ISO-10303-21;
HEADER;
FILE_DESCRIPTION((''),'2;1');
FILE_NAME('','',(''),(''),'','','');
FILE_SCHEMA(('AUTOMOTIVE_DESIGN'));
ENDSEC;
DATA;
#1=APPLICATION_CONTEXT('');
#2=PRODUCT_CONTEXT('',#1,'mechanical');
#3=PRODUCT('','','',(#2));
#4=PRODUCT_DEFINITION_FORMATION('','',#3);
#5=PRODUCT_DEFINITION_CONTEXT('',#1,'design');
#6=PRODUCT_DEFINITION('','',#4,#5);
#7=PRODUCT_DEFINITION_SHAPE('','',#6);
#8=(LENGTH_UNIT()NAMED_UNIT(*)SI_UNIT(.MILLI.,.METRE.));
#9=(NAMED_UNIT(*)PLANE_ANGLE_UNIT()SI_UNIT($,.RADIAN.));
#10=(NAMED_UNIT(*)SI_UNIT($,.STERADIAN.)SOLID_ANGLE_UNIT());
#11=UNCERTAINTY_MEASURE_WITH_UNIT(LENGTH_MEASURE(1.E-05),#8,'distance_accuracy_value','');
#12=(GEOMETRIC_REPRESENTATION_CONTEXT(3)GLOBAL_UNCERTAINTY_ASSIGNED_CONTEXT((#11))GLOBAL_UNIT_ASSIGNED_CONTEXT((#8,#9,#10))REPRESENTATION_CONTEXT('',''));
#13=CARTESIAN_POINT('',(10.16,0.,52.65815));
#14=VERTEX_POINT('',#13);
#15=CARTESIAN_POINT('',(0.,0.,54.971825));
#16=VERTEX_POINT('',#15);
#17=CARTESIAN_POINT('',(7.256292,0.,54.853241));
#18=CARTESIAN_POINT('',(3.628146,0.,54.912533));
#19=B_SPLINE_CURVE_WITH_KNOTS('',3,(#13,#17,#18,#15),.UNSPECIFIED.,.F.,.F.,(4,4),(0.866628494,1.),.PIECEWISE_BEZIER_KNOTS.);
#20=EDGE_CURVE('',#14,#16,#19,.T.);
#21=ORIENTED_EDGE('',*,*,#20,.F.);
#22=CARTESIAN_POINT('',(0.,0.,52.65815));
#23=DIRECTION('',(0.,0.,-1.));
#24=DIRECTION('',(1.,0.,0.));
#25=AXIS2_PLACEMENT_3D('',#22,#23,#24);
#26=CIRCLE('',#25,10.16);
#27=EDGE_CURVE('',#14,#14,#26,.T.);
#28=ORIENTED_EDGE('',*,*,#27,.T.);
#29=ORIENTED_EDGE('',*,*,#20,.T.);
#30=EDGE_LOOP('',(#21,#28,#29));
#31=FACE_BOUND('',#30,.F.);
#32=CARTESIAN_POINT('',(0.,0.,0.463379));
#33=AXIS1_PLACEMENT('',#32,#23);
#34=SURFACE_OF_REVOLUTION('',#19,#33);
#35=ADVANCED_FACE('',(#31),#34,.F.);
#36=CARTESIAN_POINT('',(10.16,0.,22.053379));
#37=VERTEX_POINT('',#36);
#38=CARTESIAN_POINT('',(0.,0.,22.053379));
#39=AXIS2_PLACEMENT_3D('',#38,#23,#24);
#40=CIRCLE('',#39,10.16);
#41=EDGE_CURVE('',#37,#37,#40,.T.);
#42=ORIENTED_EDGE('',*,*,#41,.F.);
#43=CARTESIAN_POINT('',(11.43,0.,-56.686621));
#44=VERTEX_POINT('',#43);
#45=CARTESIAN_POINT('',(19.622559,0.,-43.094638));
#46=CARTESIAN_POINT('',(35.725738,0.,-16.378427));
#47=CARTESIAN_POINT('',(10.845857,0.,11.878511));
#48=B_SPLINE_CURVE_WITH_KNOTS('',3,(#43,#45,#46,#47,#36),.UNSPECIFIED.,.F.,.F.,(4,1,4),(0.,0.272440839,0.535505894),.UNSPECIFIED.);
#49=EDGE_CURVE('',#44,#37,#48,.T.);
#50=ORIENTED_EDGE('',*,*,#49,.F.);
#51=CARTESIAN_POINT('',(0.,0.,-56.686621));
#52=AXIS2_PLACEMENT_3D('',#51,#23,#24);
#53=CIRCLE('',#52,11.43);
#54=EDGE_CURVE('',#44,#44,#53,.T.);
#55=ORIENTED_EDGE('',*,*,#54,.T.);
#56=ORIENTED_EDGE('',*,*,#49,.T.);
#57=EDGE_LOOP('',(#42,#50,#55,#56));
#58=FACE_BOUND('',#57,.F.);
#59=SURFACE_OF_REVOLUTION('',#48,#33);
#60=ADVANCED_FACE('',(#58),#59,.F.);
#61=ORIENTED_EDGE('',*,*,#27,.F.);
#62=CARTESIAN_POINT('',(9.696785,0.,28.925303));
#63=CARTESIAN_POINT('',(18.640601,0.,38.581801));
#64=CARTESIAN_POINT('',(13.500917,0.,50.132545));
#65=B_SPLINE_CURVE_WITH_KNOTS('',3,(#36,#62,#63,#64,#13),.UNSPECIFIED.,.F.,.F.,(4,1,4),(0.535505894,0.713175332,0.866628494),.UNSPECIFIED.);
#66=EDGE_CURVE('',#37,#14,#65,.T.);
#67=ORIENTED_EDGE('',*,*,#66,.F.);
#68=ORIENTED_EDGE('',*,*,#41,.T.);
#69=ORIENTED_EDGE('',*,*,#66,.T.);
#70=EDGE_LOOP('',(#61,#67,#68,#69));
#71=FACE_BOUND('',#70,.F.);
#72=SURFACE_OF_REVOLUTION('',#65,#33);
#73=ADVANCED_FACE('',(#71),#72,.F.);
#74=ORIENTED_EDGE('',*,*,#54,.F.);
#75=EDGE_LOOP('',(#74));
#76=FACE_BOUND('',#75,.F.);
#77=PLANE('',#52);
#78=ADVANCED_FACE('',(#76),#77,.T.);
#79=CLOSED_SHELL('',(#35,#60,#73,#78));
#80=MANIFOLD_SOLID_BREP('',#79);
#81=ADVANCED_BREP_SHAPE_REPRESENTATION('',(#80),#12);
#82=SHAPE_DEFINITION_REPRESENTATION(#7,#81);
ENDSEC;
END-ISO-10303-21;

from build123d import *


with BuildPart() as f1:
    # F0 (on Front) → F1 (revolve)
    with BuildSketch(Plane.XZ):
        with BuildLine():
            add(Edge.make_bspline(
                [(10.16, 52.6581498007), (7.2562919254, 54.8532412268), (3.6281459627, 54.9125332791), (0, 54.9718253314)],
                knots=[0.8666284939, 0.8666284939, 0.8666284939, 0.8666284939, 1, 1, 1, 1], degree=3))
            Line((0, 54.9718253314), (0, 52.6581498007))
            Line((0, 52.6581498007), (10.16, 52.6581498007))
        make_face()
        with BuildLine():
            Line((10.16, 52.6581498007), (0, 52.6581498007))
            Line((0, 52.6581498007), (0, 39.8333789781))
            Line((0, 39.8333789781), (15.24, 39.8333789781))
            add(Edge.make_bspline(
                [(15.24, 39.8333789781), (15.8828168671, 44.7795481251), (13.5009173998, 50.13254497), (10.16, 52.6581498007)],
                knots=[0.7131753319, 0.7131753319, 0.7131753319, 0.7131753319, 0.8666284939, 0.8666284939, 0.8666284939, 0.8666284939], degree=3))
        make_face()
        with BuildLine():
            Line((15.24, 39.8333789781), (0, 39.8333789781))
            Line((0, 39.8333789781), (0, 22.0533789781))
            Line((0, 22.0533789781), (10.16, 22.0533789781))
            add(Edge.make_bspline(
                [(10.16, 22.0533789781), (9.6967846506, 28.9253028646), (14.4957409066, 34.1066602911), (15.24, 39.8333789781)],
                knots=[0.5355058943, 0.5355058943, 0.5355058943, 0.5355058943, 0.7131753319, 0.7131753319, 0.7131753319, 0.7131753319], degree=3))
        make_face()
        with BuildLine():
            Line((10.16, 22.0533789781), (0, 22.0533789781))
            Line((0, 22.0533789781), (0, -15.5118849547))
            Line((0, -15.5118849547), (25.4, -15.5118849547))
            add(Edge.make_bspline(
                [(25.4, -15.5118849547), (23.0679956988, -2.0025930241), (10.8458566859, 11.8785111796), (10.16, 22.0533789781)],
                knots=[0.2724408388, 0.2724408388, 0.2724408388, 0.2724408388, 0.5355058943, 0.5355058943, 0.5355058943, 0.5355058943], degree=3))
        make_face()
        with BuildLine():
            Line((25.4, -15.5118849547), (0, -15.5118849547))
            Line((0, -15.5118849547), (0, -56.6866210219))
            Line((0, -56.6866210219), (11.43, -56.6866210219))
            add(Edge.make_bspline(
                [(11.43, -56.6866210219), (19.6225591086, -43.0946382512), (27.8151182172, -29.5026554804), (25.4, -15.5118849547)],
                knots=[0, 0, 0, 0, 0.2724408388, 0.2724408388, 0.2724408388, 0.2724408388], degree=3))
        make_face()
    revolve(axis=Axis((0, 0, 0.4633789781), (0, 0, -1)))


solid = f1.part
